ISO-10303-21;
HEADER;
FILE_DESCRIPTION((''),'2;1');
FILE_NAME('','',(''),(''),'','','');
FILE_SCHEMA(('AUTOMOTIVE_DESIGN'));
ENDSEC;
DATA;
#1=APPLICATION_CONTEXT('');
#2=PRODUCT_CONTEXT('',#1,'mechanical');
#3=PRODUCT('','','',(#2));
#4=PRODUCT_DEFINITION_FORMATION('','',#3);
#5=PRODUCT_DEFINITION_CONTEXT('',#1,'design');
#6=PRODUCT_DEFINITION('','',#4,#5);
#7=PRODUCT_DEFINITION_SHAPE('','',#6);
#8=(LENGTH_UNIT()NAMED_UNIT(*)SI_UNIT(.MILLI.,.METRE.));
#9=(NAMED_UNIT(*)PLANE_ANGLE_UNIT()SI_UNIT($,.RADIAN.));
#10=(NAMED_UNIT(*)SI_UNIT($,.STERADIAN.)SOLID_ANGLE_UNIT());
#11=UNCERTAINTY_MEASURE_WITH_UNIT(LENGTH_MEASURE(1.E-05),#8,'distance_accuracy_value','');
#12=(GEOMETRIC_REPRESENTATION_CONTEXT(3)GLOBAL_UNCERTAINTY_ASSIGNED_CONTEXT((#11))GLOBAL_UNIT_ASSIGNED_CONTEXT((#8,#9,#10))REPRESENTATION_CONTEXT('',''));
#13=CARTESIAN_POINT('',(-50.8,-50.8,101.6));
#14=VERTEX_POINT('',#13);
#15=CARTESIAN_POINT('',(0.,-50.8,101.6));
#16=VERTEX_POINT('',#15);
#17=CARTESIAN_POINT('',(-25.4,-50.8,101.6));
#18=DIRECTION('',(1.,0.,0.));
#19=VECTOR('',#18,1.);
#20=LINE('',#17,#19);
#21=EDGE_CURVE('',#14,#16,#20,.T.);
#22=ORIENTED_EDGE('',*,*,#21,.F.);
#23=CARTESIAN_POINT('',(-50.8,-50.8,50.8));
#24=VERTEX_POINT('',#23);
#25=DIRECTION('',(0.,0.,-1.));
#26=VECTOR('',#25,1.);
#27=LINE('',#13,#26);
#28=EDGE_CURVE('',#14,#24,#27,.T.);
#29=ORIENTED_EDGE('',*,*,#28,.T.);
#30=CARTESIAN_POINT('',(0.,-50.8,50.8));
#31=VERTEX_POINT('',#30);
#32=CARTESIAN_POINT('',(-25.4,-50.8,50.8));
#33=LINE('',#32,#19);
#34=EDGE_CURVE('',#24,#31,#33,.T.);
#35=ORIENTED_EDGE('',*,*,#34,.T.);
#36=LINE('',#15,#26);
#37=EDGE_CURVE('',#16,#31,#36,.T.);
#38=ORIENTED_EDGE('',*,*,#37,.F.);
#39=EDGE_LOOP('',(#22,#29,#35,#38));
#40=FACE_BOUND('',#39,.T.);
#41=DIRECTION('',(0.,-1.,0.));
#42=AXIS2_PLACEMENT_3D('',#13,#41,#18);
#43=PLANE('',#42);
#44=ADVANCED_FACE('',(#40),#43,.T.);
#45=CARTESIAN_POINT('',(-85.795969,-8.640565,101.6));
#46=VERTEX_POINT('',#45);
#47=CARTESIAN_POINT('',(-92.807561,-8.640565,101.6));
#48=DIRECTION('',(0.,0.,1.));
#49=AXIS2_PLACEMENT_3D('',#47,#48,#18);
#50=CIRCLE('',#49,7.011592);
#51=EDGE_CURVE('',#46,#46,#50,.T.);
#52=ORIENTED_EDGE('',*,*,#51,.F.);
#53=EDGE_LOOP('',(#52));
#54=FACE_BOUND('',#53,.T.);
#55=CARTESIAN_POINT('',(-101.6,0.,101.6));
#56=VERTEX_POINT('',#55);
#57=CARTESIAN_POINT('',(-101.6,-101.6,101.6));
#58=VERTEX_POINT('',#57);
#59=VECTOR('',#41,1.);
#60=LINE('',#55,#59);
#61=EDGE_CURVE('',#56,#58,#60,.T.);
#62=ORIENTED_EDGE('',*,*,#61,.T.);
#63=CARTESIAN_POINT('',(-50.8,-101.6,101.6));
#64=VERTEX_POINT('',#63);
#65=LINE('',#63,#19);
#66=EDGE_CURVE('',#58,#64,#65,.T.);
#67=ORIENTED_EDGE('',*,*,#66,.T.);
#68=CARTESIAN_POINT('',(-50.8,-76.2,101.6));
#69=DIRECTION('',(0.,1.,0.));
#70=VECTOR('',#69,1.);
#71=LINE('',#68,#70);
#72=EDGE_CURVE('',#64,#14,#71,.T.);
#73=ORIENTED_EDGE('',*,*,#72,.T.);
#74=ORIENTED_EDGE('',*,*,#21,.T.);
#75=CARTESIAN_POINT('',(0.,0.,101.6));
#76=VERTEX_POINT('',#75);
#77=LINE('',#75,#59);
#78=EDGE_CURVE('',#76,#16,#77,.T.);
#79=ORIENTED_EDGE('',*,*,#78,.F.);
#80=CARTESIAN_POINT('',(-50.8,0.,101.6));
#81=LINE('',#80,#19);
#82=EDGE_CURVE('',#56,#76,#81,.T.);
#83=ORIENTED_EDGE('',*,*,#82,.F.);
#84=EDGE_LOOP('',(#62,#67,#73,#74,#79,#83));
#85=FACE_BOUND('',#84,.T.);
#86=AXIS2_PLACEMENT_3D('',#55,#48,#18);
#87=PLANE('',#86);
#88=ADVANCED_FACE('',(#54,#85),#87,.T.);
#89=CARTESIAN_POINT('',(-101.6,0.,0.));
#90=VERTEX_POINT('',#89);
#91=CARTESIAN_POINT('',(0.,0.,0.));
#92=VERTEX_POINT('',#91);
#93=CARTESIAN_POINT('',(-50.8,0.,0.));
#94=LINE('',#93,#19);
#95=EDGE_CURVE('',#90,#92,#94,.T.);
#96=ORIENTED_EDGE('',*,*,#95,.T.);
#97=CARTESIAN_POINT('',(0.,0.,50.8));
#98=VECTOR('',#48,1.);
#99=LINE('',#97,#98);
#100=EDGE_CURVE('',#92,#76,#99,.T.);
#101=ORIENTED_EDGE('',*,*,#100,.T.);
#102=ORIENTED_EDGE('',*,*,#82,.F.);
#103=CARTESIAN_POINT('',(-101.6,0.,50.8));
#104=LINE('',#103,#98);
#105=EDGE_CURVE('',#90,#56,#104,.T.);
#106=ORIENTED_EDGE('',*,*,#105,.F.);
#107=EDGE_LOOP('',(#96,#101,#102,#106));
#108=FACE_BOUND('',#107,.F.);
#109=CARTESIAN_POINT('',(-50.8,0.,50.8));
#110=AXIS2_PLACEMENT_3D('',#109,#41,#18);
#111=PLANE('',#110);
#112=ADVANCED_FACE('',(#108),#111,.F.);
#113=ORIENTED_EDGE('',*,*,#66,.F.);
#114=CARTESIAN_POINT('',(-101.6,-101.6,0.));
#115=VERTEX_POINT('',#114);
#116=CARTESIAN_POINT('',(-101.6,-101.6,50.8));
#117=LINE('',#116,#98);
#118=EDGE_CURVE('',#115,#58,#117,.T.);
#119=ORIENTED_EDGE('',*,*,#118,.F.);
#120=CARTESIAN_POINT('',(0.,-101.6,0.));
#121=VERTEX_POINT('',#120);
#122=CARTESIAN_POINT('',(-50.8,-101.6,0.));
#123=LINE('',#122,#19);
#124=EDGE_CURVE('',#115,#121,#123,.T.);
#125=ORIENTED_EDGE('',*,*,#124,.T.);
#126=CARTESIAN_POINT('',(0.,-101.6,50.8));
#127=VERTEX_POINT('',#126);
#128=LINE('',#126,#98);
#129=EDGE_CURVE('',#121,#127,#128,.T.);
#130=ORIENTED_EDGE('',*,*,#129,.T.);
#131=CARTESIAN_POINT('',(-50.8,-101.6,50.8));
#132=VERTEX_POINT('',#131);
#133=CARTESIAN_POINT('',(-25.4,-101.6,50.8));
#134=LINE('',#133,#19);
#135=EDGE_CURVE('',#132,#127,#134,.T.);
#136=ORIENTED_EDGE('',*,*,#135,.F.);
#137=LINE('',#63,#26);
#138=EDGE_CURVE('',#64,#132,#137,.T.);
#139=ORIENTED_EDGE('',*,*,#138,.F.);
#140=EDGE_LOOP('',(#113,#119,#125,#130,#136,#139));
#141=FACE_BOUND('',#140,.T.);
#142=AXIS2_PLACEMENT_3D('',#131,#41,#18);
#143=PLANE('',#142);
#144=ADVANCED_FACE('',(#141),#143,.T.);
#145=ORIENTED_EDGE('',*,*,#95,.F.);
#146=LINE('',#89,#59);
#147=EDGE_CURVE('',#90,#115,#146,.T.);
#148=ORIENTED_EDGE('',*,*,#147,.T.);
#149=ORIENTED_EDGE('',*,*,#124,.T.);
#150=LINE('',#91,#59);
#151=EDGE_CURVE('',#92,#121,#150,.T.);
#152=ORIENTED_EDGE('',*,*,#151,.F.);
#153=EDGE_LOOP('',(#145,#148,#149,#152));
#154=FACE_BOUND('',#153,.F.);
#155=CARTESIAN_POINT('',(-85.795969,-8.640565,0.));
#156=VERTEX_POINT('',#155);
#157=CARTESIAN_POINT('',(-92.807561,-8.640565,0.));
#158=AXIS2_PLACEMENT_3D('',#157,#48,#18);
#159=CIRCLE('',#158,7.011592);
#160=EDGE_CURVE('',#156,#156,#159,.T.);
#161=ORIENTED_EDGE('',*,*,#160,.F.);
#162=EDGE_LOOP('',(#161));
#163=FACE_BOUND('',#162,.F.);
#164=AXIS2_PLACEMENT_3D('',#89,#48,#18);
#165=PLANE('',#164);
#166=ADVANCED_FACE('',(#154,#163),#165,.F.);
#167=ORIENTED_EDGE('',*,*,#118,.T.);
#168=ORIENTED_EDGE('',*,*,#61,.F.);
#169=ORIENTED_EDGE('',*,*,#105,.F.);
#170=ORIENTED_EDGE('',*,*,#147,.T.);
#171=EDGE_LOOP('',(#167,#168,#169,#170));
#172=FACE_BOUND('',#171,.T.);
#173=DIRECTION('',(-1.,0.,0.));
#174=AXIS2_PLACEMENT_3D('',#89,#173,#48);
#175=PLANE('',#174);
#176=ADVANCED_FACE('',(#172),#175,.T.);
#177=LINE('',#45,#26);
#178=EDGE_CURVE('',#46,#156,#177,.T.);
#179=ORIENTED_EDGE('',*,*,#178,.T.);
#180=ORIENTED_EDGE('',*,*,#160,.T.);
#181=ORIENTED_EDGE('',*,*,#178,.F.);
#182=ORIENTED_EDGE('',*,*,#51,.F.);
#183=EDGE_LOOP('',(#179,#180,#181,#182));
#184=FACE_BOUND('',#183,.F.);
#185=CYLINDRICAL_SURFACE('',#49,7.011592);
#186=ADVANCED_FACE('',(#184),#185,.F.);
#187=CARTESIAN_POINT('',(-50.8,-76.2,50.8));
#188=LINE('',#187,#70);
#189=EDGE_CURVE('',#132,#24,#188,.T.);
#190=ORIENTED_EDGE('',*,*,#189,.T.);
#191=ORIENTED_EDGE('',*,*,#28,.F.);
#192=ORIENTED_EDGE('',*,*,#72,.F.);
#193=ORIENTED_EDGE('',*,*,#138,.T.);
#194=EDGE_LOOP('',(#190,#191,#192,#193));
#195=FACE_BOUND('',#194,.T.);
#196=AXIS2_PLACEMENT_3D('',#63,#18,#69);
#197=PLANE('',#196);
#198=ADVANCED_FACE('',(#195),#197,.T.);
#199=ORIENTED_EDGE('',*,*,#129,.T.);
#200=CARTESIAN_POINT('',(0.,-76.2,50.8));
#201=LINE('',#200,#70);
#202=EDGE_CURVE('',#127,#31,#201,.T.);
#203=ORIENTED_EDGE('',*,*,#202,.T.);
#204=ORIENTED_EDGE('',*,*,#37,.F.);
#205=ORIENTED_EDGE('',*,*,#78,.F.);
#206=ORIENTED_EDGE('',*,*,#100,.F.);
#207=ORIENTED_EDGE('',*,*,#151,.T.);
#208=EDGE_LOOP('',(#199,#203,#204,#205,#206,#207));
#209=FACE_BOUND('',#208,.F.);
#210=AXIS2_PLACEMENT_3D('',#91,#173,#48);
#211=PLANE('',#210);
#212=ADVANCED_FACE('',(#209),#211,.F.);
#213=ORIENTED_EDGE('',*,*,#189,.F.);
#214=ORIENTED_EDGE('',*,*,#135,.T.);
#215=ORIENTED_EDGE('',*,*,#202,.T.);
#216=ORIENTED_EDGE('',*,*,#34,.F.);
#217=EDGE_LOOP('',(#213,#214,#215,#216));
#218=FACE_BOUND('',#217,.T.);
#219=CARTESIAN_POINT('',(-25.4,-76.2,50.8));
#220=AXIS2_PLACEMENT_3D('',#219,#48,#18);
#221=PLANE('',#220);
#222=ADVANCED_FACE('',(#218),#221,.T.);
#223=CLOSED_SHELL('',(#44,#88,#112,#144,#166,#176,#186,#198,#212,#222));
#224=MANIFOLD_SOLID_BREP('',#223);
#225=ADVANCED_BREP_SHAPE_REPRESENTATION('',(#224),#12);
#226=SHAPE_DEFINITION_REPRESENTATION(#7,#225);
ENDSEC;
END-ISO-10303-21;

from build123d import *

# Parameters (mm, degrees)
F0_W     = 101.6
F0_H     = 101.6
F1_DEPTH = 101.6
F2_R     = 7.011592
F3_DEPTH = 101.6
F4_W     = 50.8
F4_H     = 50.8
F5_DEPTH = 50.8


with BuildPart() as f1:
    # F0 (on Front) → F1 (new body)
    with BuildSketch(Plane.XZ):
        with Locations((-50.8, 50.8)):
            Rectangle(F0_W, F0_H)
    extrude(amount=F1_DEPTH)

    # F2 (on face) → F3 (cut)
    with BuildSketch(Plane.XY.offset(101.6)):
        with Locations((-92.807561, -8.640565)):
            Circle(F2_R)
    extrude(amount=-F3_DEPTH, mode=Mode.SUBTRACT)

    # F4 (on face) → F5 (cut)
    with BuildSketch(Plane.XY.offset(101.6)):
        with Locations((-25.4, -76.2)):
            Rectangle(F4_W, F4_H)
    extrude(amount=-F5_DEPTH, mode=Mode.SUBTRACT)


solid = f1.part
